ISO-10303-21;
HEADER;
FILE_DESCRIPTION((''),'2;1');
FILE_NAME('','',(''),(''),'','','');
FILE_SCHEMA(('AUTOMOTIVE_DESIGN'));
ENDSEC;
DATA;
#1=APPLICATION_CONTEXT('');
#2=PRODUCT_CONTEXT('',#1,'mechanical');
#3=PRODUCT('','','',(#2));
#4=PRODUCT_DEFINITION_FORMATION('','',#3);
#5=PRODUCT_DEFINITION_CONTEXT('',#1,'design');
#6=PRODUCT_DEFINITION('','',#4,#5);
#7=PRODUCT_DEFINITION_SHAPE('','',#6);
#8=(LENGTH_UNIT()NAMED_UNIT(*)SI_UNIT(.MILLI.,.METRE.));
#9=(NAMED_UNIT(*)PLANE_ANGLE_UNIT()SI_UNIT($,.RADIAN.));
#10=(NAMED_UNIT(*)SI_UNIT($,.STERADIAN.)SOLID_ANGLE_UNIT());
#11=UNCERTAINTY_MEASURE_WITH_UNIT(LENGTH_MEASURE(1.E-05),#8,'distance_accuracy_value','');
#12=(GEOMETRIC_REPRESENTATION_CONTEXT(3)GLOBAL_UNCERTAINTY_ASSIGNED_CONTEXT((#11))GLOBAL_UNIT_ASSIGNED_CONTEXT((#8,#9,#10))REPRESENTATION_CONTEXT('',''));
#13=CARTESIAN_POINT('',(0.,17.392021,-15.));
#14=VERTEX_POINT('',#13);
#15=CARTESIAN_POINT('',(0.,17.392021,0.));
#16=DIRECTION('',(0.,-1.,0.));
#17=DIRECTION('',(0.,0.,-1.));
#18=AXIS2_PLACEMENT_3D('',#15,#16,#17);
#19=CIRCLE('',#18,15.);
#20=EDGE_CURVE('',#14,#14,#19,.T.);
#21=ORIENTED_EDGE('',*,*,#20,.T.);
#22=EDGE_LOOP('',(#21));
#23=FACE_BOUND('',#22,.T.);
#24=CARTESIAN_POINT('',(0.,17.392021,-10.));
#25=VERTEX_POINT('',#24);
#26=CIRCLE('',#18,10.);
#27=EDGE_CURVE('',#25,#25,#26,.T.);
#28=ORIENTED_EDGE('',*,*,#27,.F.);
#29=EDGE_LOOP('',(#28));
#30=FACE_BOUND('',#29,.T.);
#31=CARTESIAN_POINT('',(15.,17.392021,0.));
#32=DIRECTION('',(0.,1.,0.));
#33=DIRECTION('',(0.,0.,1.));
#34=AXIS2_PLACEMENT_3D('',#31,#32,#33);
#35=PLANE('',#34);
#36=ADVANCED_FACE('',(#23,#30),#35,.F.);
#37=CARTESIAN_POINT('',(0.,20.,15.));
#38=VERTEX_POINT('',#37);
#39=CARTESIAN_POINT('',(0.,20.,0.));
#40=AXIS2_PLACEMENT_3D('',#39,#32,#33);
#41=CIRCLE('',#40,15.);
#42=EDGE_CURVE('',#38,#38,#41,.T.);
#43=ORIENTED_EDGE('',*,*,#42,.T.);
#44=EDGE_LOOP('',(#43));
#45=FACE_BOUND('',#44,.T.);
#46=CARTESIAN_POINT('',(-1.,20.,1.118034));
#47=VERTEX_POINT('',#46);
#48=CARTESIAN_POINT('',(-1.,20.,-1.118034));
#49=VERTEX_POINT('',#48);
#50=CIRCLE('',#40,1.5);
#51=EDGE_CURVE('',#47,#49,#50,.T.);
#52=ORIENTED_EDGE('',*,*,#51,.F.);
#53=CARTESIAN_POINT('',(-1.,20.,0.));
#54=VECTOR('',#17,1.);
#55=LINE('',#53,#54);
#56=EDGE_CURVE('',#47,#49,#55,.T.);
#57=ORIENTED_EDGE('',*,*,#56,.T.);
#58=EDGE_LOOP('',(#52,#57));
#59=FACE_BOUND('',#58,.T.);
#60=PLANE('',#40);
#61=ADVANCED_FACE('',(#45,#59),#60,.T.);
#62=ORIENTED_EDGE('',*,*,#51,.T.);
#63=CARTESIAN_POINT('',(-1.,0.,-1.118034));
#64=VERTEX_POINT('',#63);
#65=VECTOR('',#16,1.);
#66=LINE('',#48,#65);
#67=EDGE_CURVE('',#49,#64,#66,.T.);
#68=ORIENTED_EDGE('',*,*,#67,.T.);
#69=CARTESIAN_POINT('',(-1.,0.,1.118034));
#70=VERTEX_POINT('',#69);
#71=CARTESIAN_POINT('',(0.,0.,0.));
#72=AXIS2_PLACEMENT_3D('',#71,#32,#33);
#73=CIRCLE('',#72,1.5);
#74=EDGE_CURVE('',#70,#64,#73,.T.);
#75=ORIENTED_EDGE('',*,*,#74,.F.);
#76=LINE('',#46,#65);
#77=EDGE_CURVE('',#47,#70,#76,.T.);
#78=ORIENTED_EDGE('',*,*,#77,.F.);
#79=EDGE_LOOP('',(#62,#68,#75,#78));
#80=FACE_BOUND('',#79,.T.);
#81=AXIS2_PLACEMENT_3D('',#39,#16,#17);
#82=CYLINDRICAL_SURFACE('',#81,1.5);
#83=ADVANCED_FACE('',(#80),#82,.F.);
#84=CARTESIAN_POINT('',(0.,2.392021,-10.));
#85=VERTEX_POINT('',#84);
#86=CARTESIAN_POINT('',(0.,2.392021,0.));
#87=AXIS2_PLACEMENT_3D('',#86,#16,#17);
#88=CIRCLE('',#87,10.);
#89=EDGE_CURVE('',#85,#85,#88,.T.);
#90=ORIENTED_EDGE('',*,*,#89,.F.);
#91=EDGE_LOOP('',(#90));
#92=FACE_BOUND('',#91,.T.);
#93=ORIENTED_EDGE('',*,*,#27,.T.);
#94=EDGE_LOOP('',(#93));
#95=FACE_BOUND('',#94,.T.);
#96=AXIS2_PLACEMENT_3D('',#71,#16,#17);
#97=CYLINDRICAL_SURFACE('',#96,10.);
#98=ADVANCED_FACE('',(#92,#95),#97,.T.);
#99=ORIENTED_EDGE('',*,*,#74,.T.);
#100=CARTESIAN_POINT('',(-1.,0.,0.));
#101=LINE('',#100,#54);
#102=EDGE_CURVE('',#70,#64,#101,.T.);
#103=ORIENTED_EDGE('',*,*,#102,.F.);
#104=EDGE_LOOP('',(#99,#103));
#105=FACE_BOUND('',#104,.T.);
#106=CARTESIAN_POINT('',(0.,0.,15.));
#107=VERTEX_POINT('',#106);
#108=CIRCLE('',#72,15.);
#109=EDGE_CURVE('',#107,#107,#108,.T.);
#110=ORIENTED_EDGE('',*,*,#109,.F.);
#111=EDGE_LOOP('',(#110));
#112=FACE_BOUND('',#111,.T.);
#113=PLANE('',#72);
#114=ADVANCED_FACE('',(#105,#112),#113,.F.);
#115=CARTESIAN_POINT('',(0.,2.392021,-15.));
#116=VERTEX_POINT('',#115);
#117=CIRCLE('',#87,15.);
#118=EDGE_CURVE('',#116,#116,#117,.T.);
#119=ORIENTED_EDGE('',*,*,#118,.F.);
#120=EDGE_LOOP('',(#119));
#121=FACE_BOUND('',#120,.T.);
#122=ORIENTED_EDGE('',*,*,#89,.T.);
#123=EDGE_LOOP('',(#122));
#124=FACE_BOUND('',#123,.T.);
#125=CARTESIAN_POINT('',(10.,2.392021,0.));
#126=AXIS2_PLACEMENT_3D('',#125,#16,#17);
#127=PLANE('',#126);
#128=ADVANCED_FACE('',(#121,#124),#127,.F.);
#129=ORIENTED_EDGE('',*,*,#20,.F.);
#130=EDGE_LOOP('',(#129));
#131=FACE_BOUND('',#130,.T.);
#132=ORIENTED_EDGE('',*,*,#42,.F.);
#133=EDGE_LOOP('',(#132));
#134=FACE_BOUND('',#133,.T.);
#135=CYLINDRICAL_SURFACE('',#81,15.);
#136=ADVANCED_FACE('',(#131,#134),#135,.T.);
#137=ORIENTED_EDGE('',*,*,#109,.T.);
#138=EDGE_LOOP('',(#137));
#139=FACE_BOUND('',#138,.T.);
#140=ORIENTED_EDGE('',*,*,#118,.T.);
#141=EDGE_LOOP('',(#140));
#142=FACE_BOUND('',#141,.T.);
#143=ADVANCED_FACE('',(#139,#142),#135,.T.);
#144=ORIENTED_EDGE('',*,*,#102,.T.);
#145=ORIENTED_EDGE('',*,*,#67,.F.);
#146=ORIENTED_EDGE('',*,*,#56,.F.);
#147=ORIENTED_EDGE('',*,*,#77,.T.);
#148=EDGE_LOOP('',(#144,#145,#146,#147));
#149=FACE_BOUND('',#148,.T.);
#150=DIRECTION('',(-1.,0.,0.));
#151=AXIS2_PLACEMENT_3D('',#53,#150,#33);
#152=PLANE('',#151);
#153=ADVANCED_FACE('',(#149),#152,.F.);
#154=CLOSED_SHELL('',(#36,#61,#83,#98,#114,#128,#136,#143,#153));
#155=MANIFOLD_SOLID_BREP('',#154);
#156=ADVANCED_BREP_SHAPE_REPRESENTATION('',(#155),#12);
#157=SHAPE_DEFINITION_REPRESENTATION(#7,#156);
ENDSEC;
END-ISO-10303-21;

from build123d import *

# Parameters (mm, degrees)
SKETCH_1_R      = 15
EXTRUDE_1_DEPTH = 20
SKETCH_2_W      = 5
SKETCH_2_H      = 15


with BuildPart() as part:
    # 草图1 → 凸台-拉伸1 (new body)
    with BuildSketch(Plane(origin=(0, 0, 0), x_dir=(1, 0, 0), z_dir=(0, 1, 0))):
        Circle(SKETCH_1_R)
        with BuildLine():
            Line((-1, -1.118033989), (-1, 1.118033989))
            ThreePointArc((-1, 1.118033989), (1.5, 0), (-1, -1.118033989))
        make_face(mode=Mode.SUBTRACT)
    extrude(amount=EXTRUDE_1_DEPTH)

    # 草图2 → 切除-旋转1 (revolve, cut)
    with BuildSketch(Plane.XY):
        with Locations((12.5, 9.892021361)):
            Rectangle(SKETCH_2_W, SKETCH_2_H)
    revolve(axis=Axis((0, 0, 0), (0, 1, 0)), mode=Mode.SUBTRACT)


solid = part.part
